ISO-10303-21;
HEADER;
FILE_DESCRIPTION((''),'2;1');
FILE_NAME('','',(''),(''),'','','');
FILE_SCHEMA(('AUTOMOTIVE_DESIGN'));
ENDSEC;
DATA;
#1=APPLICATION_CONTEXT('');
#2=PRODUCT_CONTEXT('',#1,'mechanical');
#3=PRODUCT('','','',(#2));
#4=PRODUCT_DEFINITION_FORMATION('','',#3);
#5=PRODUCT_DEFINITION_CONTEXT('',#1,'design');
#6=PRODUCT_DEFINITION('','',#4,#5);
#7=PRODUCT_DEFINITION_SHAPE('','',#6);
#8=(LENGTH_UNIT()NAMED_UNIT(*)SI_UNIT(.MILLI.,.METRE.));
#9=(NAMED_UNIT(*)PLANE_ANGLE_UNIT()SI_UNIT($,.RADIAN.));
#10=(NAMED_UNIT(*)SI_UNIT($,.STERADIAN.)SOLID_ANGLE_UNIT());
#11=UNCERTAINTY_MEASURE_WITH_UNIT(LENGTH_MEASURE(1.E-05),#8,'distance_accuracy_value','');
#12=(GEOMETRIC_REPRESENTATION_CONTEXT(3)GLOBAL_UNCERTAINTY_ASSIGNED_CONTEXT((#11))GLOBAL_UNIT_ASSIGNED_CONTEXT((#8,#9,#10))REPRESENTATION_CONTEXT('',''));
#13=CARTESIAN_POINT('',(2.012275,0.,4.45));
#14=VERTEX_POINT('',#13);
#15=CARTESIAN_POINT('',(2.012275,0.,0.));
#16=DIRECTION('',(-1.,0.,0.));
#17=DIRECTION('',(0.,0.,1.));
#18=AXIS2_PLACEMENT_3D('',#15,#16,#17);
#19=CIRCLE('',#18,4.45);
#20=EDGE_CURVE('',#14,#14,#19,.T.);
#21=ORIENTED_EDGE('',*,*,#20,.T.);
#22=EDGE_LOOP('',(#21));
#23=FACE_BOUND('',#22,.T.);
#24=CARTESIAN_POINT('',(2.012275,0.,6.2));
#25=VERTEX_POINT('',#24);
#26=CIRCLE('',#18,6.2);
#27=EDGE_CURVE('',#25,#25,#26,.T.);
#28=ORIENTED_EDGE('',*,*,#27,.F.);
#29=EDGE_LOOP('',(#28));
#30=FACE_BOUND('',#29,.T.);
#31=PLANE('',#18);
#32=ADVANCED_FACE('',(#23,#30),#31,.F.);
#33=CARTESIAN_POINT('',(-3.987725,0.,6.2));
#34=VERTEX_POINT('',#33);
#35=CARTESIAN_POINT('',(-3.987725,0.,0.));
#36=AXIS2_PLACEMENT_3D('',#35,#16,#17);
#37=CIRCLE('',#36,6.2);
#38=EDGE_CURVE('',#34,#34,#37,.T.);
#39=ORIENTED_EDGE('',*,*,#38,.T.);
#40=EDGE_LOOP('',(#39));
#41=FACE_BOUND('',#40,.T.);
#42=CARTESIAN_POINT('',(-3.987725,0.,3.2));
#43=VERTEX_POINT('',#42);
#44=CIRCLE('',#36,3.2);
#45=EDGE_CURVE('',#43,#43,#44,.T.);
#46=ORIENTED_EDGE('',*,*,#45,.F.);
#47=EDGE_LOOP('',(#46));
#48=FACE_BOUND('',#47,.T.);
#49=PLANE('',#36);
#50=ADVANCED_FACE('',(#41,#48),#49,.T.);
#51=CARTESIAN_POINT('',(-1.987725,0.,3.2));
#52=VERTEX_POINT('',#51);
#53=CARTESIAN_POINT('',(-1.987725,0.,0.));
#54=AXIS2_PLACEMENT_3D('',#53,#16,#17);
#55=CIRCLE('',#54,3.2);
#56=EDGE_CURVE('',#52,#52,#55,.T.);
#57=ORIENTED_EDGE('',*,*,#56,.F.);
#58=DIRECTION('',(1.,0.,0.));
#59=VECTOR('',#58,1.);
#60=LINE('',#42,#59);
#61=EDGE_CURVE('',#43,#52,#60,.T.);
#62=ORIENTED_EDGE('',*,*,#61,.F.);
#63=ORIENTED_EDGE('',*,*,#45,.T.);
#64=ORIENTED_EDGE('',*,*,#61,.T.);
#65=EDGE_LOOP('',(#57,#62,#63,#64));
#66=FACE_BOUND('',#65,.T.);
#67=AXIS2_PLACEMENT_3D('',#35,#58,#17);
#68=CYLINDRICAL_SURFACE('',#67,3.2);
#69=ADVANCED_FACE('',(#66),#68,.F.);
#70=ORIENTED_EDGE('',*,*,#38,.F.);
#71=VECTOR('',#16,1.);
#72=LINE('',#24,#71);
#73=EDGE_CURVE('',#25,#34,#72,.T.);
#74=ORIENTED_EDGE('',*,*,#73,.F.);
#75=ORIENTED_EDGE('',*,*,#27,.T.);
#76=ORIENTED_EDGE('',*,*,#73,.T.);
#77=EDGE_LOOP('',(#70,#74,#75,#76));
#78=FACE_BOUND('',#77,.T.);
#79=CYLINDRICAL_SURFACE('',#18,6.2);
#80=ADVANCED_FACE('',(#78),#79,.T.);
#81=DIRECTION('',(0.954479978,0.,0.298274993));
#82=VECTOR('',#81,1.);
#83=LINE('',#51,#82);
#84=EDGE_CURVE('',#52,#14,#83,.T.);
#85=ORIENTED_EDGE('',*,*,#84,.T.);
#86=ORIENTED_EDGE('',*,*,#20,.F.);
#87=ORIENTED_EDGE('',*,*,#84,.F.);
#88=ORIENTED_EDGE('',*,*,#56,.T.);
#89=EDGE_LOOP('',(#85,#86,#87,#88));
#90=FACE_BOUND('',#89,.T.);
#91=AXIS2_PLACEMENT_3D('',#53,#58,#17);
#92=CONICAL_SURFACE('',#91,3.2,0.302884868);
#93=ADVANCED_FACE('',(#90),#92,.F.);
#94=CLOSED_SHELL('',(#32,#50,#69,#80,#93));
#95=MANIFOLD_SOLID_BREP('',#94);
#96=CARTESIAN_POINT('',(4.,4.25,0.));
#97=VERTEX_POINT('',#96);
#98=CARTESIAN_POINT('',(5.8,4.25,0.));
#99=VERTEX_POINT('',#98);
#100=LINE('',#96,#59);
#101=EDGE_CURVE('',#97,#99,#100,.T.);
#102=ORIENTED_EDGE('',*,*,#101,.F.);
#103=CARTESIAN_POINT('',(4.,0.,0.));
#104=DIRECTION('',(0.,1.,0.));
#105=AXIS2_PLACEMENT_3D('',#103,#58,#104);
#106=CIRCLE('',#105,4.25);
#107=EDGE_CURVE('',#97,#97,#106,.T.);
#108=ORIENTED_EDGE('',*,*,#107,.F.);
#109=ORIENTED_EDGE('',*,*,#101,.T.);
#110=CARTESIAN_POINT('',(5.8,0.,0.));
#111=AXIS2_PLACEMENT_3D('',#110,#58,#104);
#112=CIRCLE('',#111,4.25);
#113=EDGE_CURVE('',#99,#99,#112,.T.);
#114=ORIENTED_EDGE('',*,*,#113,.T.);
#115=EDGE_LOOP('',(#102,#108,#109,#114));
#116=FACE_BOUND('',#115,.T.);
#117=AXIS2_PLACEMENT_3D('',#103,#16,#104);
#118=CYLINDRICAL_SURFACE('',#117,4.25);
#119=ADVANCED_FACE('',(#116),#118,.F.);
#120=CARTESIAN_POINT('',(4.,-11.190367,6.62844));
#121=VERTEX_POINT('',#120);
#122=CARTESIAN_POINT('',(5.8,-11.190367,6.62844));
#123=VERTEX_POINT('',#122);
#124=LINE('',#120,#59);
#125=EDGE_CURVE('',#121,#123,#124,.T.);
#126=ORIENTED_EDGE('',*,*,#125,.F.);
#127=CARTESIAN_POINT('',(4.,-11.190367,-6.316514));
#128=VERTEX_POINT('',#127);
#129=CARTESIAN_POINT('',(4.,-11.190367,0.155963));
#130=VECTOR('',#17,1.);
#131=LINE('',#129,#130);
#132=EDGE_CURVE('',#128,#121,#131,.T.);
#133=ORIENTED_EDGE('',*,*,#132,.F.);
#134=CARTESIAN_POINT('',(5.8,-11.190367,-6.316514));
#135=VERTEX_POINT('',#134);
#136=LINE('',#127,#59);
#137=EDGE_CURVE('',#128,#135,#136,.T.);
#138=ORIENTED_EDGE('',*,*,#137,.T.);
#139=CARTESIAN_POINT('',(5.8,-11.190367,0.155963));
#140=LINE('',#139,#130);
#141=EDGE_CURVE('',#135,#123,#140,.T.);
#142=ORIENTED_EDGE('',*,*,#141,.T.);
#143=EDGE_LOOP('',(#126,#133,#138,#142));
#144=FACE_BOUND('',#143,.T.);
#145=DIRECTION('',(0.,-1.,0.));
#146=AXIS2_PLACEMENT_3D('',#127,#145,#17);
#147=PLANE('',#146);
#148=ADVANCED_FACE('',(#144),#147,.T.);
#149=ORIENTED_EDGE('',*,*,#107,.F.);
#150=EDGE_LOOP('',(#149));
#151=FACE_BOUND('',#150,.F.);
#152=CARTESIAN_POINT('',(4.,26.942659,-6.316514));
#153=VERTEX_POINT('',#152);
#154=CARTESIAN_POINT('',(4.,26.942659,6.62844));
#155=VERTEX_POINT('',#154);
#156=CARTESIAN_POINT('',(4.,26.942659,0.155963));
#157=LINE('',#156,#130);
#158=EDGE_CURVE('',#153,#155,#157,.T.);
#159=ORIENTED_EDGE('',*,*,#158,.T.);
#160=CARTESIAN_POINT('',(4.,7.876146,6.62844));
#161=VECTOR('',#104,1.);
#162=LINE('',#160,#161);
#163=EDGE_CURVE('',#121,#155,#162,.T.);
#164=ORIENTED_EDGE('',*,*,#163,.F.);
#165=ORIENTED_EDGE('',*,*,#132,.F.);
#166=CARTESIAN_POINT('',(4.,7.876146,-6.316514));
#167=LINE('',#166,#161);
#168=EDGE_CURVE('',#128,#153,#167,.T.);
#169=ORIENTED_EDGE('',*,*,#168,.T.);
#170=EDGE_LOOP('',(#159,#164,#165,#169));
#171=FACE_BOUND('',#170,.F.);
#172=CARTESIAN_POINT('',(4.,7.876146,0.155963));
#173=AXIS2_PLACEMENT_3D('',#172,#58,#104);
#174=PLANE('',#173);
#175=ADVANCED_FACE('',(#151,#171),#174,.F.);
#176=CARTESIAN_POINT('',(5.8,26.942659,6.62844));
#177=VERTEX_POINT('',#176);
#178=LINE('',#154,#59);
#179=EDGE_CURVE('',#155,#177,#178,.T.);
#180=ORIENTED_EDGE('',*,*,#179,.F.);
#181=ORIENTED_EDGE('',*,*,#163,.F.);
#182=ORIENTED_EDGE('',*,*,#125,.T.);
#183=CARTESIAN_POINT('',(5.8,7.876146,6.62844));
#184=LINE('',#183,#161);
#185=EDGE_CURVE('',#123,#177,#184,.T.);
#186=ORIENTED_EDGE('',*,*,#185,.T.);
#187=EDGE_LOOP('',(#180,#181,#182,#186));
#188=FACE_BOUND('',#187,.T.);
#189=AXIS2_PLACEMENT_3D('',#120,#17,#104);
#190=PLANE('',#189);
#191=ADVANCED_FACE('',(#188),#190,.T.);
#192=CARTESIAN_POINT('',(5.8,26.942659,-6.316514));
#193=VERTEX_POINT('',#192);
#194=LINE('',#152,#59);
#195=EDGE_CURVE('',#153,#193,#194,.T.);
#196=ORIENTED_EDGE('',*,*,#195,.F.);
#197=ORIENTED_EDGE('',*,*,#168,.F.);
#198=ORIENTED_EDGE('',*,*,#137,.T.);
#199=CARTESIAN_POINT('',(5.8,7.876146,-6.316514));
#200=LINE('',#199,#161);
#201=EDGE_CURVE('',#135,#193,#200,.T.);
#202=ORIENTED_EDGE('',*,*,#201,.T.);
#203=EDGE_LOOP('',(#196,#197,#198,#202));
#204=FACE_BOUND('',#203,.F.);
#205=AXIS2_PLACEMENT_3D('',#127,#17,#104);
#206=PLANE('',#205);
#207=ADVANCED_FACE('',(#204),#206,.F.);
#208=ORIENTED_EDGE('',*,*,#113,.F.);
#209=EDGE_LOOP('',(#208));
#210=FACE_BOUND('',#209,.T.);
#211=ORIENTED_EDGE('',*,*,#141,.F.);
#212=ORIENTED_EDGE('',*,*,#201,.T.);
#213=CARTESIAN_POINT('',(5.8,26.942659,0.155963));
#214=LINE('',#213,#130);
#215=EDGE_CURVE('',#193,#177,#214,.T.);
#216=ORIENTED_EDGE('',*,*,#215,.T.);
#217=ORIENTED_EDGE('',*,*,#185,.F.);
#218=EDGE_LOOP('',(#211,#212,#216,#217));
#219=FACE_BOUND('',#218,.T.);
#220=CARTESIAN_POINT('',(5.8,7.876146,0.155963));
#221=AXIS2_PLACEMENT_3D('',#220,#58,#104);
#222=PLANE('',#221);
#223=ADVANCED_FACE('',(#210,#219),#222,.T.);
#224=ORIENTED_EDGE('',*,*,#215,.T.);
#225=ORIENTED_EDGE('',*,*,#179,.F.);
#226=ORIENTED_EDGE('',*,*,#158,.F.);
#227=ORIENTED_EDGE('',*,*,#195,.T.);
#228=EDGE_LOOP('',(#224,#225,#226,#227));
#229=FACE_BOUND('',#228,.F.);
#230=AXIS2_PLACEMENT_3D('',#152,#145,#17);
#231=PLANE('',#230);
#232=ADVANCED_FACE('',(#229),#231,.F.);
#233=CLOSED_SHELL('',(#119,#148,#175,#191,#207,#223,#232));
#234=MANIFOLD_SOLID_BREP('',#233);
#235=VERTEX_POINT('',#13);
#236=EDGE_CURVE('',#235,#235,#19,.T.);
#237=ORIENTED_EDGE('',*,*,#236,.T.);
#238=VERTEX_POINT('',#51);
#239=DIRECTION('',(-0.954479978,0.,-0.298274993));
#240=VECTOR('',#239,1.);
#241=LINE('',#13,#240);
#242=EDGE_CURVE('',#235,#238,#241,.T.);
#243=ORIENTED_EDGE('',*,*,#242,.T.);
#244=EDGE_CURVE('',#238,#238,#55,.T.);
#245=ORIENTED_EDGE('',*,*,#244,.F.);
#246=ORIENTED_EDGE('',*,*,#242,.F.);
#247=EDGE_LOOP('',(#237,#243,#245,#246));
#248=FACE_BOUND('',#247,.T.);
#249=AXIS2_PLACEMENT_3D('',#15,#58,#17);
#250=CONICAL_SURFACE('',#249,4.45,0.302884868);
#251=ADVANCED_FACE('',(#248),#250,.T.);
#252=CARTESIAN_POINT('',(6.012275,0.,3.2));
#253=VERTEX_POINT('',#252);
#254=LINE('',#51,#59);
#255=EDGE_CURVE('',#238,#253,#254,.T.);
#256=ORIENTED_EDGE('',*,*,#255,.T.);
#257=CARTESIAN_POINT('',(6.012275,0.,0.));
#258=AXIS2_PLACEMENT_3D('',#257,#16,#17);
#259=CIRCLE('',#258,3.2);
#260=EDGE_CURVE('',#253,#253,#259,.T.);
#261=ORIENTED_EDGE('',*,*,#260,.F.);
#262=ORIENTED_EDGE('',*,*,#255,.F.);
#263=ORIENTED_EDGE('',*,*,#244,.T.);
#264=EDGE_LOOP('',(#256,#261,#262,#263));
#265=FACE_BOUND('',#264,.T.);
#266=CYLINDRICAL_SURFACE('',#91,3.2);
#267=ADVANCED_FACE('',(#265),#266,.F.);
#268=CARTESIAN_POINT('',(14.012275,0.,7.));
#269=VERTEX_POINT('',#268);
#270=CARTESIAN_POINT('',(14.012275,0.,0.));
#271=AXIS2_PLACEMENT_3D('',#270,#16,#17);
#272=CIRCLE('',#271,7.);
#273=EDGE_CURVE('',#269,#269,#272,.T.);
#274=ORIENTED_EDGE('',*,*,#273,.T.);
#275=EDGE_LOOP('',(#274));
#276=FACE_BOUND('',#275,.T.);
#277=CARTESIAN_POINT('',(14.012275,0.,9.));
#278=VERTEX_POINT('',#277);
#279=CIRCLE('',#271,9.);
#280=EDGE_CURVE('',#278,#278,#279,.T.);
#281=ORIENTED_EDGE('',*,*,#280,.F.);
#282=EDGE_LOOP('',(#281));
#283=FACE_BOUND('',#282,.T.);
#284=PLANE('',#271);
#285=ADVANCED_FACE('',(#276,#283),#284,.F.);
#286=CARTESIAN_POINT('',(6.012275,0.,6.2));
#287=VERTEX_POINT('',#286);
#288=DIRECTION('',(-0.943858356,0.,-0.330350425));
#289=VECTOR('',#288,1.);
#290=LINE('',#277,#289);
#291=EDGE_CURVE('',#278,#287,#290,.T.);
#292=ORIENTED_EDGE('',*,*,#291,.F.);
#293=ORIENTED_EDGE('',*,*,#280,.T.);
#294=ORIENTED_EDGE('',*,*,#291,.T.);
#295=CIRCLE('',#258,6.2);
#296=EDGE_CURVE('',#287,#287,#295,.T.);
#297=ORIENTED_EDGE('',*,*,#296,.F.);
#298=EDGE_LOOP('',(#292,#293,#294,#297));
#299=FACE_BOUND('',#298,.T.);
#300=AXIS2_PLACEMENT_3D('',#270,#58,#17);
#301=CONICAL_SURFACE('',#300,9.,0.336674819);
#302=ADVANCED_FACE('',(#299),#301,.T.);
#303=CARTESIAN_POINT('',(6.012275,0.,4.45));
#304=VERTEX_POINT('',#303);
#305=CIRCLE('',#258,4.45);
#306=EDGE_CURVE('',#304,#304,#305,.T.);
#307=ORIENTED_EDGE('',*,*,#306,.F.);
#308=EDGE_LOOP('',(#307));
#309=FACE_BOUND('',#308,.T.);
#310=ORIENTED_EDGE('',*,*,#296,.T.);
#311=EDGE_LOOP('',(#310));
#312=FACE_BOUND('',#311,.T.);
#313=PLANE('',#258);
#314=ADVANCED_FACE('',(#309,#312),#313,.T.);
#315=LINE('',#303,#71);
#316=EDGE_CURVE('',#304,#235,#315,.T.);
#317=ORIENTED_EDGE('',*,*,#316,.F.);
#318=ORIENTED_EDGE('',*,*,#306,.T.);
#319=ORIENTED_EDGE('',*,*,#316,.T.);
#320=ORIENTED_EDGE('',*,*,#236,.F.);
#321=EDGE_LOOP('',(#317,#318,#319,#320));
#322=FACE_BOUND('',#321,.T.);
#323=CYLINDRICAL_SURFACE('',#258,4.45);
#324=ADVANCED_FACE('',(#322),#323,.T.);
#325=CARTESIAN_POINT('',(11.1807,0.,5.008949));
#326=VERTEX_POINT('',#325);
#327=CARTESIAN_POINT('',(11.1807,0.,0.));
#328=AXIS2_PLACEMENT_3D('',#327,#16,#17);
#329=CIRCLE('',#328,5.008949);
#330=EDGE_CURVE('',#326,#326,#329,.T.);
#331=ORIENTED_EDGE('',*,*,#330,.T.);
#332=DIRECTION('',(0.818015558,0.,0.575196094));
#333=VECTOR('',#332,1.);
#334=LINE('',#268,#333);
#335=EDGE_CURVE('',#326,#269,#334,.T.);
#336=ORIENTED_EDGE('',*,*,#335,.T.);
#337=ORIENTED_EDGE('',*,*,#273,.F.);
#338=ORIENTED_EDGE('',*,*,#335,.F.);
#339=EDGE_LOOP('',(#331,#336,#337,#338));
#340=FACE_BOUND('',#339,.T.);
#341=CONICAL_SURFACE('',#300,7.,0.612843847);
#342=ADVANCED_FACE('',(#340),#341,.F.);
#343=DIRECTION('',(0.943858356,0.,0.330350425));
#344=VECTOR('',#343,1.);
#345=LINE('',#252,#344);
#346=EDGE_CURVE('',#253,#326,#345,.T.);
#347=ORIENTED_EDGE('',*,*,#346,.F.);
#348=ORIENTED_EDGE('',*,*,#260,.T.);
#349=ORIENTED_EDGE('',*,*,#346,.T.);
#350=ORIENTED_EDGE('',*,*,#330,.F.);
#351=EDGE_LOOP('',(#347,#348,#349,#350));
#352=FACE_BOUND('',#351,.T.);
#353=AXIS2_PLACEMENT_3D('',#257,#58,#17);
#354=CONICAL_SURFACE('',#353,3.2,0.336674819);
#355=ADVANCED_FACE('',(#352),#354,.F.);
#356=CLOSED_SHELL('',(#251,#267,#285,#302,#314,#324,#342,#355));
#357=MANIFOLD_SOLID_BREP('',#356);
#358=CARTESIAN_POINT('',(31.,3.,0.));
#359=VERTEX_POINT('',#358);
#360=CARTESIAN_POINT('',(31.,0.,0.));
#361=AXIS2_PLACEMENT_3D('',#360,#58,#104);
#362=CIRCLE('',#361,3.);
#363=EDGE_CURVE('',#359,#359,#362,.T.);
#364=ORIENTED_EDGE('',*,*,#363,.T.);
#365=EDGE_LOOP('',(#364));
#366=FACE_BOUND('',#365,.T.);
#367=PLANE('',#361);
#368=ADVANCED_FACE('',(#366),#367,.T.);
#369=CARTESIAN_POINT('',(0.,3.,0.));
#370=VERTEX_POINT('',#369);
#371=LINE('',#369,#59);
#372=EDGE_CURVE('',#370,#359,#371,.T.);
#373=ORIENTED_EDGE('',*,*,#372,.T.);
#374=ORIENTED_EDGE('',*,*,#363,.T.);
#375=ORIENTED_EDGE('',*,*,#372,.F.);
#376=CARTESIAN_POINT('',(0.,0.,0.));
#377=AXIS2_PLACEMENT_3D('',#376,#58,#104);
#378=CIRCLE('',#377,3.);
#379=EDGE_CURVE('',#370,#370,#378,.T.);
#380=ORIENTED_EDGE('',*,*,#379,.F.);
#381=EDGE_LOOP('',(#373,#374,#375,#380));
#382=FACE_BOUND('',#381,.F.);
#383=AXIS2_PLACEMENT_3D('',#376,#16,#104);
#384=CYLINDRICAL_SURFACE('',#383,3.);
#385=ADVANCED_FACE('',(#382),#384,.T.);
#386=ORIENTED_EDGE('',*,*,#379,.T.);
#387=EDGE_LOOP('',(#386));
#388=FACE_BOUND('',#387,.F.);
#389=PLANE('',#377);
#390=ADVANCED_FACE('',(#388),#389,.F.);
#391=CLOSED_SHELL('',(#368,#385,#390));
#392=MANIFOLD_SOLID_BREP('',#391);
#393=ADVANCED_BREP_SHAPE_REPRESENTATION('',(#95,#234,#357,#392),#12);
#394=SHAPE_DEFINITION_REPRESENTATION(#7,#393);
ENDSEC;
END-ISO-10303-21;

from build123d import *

# Parameters (mm, degrees)
F0_R     = 3
F1_DEPTH = 31
F3_W     = 38.133026
F3_H     = 12.944954
F3_R     = 4.25
F4_DEPTH = 1.8
F7_SIZE2 = 1
F7_SIZE  = 3


with BuildPart() as f1:
    # F0 (on Right) → F1 (new body)
    with BuildSketch(Plane.YZ):
        Circle(F0_R)
    extrude(amount=F1_DEPTH)


with BuildPart() as f4:
    # F3 (on offset) → F4 (new body)
    with BuildSketch(Plane.YZ.offset(4)):
        with Locations((7.876146, 0.155963)):
            Rectangle(F3_W, F3_H)
        Circle(F3_R, mode=Mode.SUBTRACT)
    extrude(amount=F4_DEPTH)


with BuildPart() as f6:
    # F5 (on Front) → F6 (revolve)
    with BuildSketch(Plane.XZ):
        Polygon((6.012275, 3.2), (14.012275, 6), (14.012275, 9), (6.012275, 6.2), (6.012275, 4.45), (2.012275, 4.45), (-1.987725, 3.2), (-0.814473, 3.2), align=None)
    revolve(axis=Axis((7.006137, 0, 0), (-1, 0, 0)))

    # F7
    f7_edges = [f6.edges().sort_by_distance(p)[0] for p in [
        (14.012275, 0, -6),
    ]]
    chamfer(f7_edges, length=F7_SIZE, length2=F7_SIZE2)


with BuildPart() as f8:
    # F5 (on Front) → F8 (revolve)
    with BuildSketch(Plane.XZ):
        Polygon((-3.987725, 3.2), (-1.987725, 3.2), (2.012275, 4.45), (2.012275, 6.2), (-3.987725, 6.2), align=None)
    revolve(axis=Axis((7.006137, 0, 0), (-1, 0, 0)))


solid = Compound([f1.part, f4.part, f6.part, f8.part])
